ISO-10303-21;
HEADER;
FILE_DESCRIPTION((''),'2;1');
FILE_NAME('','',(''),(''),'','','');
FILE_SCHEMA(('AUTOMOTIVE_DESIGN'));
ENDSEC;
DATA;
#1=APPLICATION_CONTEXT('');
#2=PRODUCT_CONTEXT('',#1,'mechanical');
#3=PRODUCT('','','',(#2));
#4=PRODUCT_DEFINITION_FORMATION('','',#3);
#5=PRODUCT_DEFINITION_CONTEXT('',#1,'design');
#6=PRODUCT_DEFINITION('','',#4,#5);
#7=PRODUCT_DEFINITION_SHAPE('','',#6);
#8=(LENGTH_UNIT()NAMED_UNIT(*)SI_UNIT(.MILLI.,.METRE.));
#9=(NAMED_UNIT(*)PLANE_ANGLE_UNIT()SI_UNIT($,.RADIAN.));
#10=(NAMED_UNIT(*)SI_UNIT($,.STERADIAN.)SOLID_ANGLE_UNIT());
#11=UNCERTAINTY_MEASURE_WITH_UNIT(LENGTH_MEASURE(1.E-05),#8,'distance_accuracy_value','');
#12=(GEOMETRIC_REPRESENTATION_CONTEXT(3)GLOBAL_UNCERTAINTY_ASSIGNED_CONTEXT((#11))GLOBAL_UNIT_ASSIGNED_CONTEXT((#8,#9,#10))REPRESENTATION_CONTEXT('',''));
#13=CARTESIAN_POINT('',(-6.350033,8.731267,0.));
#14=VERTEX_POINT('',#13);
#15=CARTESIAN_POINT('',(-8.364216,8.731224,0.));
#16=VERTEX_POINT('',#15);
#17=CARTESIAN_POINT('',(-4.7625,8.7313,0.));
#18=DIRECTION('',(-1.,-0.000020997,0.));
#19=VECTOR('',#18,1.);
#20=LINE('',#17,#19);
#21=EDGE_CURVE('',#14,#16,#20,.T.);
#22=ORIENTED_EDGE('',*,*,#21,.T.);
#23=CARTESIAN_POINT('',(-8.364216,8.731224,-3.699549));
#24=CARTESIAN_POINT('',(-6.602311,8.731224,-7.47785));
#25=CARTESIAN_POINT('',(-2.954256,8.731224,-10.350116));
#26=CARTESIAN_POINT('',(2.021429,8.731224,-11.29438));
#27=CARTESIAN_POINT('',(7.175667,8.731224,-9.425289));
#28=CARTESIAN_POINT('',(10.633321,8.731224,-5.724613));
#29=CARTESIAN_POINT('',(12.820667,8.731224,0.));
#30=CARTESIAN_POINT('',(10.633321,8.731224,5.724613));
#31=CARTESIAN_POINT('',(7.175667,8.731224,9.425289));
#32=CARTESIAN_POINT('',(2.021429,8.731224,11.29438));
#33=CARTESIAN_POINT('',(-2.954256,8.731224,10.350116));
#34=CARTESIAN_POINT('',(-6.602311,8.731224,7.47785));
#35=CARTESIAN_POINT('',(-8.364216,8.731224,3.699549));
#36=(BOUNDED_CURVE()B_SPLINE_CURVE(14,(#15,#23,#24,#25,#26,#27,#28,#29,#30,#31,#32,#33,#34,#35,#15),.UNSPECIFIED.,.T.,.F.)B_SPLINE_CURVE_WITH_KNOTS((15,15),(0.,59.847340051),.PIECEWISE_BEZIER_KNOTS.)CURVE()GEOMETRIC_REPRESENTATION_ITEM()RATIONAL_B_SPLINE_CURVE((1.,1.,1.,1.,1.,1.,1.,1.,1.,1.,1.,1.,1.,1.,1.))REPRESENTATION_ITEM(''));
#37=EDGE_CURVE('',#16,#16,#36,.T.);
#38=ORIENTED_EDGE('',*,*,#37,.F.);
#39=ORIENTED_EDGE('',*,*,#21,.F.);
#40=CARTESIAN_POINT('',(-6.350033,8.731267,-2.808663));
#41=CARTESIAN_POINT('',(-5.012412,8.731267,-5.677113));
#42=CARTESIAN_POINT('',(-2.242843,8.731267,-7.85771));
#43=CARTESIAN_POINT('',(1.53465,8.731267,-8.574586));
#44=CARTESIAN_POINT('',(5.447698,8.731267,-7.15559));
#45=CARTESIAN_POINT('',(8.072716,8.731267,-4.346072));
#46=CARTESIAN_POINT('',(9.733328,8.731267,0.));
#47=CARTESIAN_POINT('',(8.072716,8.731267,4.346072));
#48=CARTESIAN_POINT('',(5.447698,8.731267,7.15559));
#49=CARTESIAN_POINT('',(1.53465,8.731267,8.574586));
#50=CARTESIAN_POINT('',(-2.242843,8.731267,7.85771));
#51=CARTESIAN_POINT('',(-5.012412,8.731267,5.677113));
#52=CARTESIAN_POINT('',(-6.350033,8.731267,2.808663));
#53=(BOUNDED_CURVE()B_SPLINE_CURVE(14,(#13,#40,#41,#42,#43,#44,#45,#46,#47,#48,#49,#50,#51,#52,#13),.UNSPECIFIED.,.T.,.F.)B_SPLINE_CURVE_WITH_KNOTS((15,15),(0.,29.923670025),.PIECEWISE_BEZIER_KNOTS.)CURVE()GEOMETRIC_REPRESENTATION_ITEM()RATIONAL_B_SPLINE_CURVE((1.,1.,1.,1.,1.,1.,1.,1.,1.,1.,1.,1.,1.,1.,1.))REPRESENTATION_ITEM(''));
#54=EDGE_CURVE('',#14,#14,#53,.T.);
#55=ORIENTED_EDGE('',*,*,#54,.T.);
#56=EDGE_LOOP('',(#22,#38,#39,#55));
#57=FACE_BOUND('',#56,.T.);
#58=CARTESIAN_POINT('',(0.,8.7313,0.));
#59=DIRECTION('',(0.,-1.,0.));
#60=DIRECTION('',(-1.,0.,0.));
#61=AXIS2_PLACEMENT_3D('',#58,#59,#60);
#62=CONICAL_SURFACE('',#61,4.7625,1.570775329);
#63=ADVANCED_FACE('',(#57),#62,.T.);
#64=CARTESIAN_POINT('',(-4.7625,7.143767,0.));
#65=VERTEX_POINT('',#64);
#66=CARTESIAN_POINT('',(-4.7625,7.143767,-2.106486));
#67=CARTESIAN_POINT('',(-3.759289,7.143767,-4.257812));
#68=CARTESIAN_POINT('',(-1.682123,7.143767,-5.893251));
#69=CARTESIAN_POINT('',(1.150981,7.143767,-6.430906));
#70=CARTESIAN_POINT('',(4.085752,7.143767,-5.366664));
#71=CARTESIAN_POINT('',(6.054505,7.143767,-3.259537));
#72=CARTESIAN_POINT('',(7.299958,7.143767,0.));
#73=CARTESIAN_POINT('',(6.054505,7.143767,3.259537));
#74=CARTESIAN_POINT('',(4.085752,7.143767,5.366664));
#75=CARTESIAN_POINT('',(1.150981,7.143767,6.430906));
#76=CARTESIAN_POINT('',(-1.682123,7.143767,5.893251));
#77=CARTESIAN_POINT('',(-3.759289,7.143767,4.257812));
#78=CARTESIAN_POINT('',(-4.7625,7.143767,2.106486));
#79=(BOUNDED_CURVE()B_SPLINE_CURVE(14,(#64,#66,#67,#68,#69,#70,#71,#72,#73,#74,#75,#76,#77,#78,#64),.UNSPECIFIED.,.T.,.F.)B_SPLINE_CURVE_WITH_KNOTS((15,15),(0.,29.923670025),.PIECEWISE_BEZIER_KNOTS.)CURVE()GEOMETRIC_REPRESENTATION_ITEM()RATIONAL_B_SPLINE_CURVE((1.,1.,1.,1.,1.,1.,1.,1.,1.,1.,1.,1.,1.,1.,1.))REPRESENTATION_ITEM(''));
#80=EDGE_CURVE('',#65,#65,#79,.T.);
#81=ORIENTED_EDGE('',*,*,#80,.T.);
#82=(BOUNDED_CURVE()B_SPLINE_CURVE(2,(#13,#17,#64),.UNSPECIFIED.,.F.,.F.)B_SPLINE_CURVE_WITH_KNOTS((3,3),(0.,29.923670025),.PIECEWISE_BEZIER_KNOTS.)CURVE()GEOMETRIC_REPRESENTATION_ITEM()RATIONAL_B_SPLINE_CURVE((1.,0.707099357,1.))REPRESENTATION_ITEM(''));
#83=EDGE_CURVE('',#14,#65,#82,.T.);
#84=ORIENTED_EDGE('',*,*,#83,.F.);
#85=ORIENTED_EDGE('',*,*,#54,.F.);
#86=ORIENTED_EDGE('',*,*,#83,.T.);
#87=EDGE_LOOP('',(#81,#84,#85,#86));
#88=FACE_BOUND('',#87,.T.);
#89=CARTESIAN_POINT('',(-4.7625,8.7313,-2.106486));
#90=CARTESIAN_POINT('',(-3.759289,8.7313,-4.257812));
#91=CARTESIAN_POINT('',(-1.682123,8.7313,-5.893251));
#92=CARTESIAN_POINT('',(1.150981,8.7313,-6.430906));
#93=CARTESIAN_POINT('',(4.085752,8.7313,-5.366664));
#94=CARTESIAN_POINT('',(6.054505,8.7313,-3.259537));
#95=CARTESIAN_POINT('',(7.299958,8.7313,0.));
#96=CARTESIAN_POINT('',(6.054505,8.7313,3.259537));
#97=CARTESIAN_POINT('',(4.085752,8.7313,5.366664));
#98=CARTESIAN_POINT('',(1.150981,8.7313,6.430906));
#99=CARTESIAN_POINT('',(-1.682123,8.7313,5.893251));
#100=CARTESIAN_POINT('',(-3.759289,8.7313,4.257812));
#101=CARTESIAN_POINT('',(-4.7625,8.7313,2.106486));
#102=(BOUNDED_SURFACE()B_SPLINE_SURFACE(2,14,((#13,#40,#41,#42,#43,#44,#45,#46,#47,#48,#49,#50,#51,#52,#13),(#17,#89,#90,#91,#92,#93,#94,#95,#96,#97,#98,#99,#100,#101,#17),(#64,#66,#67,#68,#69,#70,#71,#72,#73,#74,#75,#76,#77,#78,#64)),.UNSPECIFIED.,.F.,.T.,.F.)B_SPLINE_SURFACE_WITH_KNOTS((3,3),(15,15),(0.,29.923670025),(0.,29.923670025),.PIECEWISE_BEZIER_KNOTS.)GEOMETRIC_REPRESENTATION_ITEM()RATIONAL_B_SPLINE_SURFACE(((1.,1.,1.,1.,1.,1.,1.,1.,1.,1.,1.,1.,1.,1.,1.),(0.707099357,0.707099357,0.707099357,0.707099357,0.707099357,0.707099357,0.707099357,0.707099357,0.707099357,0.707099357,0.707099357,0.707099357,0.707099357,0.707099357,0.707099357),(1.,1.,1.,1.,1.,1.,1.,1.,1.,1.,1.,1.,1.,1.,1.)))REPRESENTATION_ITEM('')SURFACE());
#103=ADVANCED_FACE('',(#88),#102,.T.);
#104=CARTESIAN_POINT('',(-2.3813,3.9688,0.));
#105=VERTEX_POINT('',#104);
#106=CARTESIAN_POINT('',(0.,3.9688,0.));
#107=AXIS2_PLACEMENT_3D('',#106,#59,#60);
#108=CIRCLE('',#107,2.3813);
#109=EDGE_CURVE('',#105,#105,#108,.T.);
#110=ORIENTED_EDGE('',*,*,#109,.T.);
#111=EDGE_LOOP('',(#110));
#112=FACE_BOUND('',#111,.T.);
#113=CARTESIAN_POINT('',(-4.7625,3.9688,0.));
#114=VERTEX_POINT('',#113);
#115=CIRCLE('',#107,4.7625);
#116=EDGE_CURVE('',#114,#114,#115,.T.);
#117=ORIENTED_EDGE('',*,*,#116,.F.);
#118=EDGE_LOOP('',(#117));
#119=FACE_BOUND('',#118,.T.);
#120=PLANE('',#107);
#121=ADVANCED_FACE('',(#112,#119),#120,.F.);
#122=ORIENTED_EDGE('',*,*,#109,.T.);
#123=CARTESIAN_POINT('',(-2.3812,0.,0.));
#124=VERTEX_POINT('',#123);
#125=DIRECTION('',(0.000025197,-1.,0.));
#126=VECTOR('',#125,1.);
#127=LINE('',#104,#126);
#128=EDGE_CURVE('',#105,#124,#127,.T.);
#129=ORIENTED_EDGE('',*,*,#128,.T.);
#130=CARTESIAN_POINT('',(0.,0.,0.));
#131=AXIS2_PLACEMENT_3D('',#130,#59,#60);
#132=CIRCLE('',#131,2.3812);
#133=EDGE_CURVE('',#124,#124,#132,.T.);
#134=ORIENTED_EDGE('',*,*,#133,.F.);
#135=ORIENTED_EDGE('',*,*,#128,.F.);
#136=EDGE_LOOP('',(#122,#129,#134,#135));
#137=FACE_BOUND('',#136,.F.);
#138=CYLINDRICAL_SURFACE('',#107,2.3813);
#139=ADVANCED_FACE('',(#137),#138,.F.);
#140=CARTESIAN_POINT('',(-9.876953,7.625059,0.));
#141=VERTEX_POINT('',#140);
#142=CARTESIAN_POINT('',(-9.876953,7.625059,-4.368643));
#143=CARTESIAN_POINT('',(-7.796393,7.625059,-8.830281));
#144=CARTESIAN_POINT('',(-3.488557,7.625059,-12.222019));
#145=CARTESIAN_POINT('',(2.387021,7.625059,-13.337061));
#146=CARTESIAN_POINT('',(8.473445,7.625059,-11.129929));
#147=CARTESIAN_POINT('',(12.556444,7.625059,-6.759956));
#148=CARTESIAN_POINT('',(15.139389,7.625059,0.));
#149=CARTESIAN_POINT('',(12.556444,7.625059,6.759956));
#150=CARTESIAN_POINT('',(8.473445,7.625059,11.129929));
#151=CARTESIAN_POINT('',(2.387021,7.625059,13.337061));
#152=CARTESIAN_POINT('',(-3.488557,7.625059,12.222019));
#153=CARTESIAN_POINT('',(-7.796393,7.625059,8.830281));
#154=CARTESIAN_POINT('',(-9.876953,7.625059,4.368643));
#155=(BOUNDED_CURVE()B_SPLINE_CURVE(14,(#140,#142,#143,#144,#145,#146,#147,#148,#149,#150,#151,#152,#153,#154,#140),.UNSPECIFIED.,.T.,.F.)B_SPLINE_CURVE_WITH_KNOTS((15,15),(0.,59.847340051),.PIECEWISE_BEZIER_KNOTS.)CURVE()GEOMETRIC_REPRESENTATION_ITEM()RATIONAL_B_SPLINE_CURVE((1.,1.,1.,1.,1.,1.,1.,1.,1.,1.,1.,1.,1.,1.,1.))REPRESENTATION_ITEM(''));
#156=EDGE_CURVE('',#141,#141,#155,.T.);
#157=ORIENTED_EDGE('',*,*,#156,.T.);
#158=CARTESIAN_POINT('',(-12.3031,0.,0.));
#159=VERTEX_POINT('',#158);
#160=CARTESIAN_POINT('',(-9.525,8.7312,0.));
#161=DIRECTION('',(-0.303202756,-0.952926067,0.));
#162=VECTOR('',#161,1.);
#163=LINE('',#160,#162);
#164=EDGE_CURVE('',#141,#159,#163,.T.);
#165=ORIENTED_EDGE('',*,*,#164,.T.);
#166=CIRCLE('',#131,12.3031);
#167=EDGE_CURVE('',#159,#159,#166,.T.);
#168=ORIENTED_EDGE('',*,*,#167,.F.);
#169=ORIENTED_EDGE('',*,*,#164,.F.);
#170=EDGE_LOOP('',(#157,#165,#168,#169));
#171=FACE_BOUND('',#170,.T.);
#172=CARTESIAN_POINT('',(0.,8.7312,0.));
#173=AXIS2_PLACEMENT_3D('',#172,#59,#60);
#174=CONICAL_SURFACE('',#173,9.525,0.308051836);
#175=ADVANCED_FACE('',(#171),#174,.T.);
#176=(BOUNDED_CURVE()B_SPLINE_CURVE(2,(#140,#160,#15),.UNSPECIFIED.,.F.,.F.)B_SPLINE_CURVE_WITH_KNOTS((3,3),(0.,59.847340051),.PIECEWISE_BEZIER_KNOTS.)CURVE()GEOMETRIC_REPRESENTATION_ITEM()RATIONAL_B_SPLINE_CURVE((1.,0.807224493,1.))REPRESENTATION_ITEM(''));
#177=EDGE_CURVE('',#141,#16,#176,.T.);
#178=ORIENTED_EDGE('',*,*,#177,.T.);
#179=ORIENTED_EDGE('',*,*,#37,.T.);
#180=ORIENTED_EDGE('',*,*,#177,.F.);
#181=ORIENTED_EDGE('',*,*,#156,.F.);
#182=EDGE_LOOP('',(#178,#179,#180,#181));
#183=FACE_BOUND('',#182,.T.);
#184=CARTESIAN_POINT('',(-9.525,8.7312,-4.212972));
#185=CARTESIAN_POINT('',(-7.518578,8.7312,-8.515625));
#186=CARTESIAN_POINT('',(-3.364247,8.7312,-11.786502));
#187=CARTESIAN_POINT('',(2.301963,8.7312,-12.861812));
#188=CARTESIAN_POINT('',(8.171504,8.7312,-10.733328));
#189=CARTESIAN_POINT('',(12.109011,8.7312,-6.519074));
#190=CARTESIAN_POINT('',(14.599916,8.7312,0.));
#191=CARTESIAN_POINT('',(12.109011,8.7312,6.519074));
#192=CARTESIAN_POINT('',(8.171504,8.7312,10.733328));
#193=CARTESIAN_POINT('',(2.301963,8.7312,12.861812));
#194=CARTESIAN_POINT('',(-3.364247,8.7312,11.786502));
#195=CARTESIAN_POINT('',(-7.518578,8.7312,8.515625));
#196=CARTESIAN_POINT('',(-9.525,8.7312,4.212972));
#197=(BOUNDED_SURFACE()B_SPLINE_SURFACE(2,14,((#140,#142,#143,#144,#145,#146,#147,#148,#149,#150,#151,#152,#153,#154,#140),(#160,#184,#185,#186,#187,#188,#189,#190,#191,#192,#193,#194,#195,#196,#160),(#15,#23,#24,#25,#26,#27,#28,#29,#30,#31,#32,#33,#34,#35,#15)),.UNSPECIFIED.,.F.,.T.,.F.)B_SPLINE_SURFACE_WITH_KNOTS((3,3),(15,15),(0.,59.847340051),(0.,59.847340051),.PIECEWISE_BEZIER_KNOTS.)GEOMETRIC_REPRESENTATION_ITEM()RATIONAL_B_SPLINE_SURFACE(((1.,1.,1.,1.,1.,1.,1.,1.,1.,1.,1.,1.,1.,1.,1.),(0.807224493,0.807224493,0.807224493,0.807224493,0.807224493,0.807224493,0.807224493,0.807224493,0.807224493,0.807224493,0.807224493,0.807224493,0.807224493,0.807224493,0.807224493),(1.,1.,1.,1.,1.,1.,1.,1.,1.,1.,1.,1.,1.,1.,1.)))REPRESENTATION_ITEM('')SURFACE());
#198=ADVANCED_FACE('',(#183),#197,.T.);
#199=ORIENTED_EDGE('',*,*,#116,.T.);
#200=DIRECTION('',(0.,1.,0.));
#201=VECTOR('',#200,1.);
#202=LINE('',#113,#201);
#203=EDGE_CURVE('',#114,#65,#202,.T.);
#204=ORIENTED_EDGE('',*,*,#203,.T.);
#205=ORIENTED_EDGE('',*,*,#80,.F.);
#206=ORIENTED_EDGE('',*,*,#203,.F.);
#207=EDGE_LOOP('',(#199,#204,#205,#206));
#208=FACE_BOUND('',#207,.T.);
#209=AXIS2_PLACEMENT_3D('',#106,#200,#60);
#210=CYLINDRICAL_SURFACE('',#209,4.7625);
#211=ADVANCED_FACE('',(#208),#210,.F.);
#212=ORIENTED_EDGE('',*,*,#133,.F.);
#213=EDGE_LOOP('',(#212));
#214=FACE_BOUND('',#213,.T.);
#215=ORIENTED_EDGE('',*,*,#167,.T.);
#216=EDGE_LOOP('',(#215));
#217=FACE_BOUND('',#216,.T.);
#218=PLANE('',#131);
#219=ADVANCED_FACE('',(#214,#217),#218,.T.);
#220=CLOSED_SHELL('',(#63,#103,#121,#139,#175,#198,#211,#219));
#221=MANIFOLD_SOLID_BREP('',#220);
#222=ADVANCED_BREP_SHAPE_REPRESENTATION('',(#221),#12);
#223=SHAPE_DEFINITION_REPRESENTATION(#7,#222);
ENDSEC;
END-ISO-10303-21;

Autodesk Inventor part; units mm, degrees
ref_plane "YZ Plane" through (0, 0, 0) normal (1, 0, 0) x (0, 1, 0)
ref_plane "XZ Plane" through (0, 0, 0) normal (0, 1, 0) x (-1, 0, 0)
ref_plane "XY Plane" through (0, 0, 0) normal (0, 0, 1) x (1, 0, 0)
sketch "Sketch1" plane through (0, 0, 0) normal (0, 0, 1) x (1, 0, 0)
  line L0 (-2.3813, 3.9688) -> (-4.7625, 3.9688)
  line L1 (-4.7625, 3.9688) -> (-4.7625, 8.7313)
  line L2 (-4.7625, 8.7313) -> (-9.525, 8.7312)
  line L3 (-9.525, 8.7312) -> (-12.3031, 0)
  line L4 (-12.3031, 0) -> (-2.3812, 0)
  line L5 (0, 0) -> (0, -4.1368)
  line L6 (-2.3813, 3.9688) -> (-2.3812, 0)
  dimension "d0" = 9.525
  dimension "d1" = 24.6062
  dimension "d2" = 3.9688
  dimension "d3" = 4.7625
  dimension "d4" = 8.7312
  dimension "d5" = 4.7625
revolve "Revolution1" add sketch "Sketch1" angle 360 about axis through (0, 0, 0) along (0, -1, 0)
fillet "Fillet1" radius 1.5875 2 edges at (9.525, 8.7312, 0) (4.7625, 8.7313, 0)
properties part number "FOOT"
